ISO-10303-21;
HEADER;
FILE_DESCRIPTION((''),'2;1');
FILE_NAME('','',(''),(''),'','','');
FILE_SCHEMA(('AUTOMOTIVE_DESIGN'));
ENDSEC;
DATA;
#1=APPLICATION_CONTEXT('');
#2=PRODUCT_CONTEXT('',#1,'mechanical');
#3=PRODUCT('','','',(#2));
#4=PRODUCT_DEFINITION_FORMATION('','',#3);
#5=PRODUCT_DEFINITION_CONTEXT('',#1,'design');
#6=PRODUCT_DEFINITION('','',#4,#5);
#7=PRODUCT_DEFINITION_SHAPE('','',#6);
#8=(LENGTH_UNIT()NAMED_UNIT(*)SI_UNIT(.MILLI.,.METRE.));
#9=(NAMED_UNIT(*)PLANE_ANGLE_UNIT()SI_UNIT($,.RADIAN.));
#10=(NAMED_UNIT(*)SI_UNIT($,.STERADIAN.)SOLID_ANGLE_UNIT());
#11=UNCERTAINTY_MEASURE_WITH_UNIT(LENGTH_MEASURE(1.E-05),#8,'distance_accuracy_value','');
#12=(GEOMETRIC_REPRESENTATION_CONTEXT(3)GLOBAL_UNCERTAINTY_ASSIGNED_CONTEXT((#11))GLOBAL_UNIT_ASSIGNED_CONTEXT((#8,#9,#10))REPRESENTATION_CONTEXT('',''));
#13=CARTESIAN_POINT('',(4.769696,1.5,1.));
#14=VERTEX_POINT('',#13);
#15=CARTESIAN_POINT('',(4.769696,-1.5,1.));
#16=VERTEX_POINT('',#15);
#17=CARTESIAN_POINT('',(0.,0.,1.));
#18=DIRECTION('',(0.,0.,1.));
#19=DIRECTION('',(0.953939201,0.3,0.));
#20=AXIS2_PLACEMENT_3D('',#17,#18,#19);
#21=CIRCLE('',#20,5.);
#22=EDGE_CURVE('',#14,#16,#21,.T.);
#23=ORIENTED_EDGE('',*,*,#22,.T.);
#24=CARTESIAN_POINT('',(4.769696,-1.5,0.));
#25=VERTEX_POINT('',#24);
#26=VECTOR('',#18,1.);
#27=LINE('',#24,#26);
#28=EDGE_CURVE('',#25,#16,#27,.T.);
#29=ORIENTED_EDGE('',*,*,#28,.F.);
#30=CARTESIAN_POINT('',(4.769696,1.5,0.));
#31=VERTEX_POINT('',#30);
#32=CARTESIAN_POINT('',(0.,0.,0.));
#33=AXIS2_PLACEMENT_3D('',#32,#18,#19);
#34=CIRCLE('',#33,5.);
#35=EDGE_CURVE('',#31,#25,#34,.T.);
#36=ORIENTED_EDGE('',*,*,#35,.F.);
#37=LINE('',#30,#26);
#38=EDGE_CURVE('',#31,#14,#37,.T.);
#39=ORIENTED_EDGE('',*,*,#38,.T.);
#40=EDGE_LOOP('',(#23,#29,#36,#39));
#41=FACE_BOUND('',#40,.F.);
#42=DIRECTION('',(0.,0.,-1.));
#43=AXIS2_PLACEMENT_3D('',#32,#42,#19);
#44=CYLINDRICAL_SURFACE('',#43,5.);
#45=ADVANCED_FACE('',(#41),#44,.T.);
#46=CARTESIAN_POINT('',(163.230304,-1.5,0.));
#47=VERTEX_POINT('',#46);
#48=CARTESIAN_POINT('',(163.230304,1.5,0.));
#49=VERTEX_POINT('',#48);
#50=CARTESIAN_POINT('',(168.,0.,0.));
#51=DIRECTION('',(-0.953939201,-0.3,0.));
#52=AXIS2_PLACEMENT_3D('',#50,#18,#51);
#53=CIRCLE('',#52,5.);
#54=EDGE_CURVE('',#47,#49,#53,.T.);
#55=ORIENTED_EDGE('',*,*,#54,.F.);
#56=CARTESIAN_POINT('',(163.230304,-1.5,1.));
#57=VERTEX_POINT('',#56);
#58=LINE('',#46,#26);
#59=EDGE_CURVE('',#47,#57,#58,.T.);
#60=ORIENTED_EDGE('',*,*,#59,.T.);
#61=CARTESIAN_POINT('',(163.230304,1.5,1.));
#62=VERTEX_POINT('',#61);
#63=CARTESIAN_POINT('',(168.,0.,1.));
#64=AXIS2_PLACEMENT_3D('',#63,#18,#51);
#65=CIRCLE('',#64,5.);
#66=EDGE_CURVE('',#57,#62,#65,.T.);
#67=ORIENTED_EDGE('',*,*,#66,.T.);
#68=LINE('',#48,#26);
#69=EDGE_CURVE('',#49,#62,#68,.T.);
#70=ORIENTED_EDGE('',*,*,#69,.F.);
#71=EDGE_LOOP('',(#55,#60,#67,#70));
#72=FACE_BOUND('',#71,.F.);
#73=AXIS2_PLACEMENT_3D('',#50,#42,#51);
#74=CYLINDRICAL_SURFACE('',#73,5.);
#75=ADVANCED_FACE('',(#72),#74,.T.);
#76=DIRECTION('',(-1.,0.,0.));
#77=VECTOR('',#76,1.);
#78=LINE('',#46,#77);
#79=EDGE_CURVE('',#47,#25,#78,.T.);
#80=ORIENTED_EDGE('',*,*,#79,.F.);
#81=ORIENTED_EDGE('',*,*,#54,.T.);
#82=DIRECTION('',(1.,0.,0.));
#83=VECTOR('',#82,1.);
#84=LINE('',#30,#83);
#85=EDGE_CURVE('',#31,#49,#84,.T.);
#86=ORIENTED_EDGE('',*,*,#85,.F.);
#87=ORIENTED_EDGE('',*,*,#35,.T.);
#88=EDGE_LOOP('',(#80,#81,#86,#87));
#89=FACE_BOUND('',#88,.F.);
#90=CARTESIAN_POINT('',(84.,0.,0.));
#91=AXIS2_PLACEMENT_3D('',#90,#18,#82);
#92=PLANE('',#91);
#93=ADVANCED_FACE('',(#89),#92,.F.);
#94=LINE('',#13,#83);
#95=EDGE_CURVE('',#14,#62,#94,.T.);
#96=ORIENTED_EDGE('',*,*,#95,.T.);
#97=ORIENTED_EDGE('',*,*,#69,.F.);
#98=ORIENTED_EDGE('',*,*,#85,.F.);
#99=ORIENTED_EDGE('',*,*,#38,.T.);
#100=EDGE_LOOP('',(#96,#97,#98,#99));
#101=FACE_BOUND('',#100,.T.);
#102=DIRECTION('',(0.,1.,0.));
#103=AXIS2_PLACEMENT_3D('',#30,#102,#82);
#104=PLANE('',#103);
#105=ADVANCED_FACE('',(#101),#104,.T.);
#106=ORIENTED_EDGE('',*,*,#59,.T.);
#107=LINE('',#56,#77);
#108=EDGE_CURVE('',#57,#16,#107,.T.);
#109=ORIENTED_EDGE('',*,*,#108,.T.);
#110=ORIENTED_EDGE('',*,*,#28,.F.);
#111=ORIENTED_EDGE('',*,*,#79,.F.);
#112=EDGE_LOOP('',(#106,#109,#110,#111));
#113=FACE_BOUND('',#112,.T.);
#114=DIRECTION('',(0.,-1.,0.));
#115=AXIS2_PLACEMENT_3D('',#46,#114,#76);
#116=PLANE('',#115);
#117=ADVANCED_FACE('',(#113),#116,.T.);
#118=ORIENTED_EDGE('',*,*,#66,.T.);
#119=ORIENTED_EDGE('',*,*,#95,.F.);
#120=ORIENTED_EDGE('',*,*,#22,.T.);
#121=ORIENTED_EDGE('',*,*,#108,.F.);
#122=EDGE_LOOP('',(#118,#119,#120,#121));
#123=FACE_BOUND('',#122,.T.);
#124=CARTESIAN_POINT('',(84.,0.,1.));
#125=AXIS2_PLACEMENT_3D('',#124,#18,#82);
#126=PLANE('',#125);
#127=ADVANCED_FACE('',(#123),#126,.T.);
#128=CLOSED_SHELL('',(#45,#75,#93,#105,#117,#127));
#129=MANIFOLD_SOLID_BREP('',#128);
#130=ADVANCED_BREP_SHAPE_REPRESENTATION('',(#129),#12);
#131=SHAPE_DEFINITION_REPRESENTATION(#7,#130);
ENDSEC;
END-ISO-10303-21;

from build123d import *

# Parameters (mm, degrees)
PAD_DEPTH = 1


with BuildPart() as part:
    # Sketch → Pad (new body)
    with BuildSketch(Plane.XY):
        with BuildLine():
            ThreePointArc((4.769696, 1.5), (-5, 0), (4.769696, -1.5))
            Line((163.230304, -1.5), (4.769696, -1.5))
            ThreePointArc((163.230304, -1.5), (173, 0), (163.230304, 1.5))
            Line((4.769696, 1.5), (163.230304, 1.5))
        make_face()
    extrude(amount=PAD_DEPTH)


solid = part.part
